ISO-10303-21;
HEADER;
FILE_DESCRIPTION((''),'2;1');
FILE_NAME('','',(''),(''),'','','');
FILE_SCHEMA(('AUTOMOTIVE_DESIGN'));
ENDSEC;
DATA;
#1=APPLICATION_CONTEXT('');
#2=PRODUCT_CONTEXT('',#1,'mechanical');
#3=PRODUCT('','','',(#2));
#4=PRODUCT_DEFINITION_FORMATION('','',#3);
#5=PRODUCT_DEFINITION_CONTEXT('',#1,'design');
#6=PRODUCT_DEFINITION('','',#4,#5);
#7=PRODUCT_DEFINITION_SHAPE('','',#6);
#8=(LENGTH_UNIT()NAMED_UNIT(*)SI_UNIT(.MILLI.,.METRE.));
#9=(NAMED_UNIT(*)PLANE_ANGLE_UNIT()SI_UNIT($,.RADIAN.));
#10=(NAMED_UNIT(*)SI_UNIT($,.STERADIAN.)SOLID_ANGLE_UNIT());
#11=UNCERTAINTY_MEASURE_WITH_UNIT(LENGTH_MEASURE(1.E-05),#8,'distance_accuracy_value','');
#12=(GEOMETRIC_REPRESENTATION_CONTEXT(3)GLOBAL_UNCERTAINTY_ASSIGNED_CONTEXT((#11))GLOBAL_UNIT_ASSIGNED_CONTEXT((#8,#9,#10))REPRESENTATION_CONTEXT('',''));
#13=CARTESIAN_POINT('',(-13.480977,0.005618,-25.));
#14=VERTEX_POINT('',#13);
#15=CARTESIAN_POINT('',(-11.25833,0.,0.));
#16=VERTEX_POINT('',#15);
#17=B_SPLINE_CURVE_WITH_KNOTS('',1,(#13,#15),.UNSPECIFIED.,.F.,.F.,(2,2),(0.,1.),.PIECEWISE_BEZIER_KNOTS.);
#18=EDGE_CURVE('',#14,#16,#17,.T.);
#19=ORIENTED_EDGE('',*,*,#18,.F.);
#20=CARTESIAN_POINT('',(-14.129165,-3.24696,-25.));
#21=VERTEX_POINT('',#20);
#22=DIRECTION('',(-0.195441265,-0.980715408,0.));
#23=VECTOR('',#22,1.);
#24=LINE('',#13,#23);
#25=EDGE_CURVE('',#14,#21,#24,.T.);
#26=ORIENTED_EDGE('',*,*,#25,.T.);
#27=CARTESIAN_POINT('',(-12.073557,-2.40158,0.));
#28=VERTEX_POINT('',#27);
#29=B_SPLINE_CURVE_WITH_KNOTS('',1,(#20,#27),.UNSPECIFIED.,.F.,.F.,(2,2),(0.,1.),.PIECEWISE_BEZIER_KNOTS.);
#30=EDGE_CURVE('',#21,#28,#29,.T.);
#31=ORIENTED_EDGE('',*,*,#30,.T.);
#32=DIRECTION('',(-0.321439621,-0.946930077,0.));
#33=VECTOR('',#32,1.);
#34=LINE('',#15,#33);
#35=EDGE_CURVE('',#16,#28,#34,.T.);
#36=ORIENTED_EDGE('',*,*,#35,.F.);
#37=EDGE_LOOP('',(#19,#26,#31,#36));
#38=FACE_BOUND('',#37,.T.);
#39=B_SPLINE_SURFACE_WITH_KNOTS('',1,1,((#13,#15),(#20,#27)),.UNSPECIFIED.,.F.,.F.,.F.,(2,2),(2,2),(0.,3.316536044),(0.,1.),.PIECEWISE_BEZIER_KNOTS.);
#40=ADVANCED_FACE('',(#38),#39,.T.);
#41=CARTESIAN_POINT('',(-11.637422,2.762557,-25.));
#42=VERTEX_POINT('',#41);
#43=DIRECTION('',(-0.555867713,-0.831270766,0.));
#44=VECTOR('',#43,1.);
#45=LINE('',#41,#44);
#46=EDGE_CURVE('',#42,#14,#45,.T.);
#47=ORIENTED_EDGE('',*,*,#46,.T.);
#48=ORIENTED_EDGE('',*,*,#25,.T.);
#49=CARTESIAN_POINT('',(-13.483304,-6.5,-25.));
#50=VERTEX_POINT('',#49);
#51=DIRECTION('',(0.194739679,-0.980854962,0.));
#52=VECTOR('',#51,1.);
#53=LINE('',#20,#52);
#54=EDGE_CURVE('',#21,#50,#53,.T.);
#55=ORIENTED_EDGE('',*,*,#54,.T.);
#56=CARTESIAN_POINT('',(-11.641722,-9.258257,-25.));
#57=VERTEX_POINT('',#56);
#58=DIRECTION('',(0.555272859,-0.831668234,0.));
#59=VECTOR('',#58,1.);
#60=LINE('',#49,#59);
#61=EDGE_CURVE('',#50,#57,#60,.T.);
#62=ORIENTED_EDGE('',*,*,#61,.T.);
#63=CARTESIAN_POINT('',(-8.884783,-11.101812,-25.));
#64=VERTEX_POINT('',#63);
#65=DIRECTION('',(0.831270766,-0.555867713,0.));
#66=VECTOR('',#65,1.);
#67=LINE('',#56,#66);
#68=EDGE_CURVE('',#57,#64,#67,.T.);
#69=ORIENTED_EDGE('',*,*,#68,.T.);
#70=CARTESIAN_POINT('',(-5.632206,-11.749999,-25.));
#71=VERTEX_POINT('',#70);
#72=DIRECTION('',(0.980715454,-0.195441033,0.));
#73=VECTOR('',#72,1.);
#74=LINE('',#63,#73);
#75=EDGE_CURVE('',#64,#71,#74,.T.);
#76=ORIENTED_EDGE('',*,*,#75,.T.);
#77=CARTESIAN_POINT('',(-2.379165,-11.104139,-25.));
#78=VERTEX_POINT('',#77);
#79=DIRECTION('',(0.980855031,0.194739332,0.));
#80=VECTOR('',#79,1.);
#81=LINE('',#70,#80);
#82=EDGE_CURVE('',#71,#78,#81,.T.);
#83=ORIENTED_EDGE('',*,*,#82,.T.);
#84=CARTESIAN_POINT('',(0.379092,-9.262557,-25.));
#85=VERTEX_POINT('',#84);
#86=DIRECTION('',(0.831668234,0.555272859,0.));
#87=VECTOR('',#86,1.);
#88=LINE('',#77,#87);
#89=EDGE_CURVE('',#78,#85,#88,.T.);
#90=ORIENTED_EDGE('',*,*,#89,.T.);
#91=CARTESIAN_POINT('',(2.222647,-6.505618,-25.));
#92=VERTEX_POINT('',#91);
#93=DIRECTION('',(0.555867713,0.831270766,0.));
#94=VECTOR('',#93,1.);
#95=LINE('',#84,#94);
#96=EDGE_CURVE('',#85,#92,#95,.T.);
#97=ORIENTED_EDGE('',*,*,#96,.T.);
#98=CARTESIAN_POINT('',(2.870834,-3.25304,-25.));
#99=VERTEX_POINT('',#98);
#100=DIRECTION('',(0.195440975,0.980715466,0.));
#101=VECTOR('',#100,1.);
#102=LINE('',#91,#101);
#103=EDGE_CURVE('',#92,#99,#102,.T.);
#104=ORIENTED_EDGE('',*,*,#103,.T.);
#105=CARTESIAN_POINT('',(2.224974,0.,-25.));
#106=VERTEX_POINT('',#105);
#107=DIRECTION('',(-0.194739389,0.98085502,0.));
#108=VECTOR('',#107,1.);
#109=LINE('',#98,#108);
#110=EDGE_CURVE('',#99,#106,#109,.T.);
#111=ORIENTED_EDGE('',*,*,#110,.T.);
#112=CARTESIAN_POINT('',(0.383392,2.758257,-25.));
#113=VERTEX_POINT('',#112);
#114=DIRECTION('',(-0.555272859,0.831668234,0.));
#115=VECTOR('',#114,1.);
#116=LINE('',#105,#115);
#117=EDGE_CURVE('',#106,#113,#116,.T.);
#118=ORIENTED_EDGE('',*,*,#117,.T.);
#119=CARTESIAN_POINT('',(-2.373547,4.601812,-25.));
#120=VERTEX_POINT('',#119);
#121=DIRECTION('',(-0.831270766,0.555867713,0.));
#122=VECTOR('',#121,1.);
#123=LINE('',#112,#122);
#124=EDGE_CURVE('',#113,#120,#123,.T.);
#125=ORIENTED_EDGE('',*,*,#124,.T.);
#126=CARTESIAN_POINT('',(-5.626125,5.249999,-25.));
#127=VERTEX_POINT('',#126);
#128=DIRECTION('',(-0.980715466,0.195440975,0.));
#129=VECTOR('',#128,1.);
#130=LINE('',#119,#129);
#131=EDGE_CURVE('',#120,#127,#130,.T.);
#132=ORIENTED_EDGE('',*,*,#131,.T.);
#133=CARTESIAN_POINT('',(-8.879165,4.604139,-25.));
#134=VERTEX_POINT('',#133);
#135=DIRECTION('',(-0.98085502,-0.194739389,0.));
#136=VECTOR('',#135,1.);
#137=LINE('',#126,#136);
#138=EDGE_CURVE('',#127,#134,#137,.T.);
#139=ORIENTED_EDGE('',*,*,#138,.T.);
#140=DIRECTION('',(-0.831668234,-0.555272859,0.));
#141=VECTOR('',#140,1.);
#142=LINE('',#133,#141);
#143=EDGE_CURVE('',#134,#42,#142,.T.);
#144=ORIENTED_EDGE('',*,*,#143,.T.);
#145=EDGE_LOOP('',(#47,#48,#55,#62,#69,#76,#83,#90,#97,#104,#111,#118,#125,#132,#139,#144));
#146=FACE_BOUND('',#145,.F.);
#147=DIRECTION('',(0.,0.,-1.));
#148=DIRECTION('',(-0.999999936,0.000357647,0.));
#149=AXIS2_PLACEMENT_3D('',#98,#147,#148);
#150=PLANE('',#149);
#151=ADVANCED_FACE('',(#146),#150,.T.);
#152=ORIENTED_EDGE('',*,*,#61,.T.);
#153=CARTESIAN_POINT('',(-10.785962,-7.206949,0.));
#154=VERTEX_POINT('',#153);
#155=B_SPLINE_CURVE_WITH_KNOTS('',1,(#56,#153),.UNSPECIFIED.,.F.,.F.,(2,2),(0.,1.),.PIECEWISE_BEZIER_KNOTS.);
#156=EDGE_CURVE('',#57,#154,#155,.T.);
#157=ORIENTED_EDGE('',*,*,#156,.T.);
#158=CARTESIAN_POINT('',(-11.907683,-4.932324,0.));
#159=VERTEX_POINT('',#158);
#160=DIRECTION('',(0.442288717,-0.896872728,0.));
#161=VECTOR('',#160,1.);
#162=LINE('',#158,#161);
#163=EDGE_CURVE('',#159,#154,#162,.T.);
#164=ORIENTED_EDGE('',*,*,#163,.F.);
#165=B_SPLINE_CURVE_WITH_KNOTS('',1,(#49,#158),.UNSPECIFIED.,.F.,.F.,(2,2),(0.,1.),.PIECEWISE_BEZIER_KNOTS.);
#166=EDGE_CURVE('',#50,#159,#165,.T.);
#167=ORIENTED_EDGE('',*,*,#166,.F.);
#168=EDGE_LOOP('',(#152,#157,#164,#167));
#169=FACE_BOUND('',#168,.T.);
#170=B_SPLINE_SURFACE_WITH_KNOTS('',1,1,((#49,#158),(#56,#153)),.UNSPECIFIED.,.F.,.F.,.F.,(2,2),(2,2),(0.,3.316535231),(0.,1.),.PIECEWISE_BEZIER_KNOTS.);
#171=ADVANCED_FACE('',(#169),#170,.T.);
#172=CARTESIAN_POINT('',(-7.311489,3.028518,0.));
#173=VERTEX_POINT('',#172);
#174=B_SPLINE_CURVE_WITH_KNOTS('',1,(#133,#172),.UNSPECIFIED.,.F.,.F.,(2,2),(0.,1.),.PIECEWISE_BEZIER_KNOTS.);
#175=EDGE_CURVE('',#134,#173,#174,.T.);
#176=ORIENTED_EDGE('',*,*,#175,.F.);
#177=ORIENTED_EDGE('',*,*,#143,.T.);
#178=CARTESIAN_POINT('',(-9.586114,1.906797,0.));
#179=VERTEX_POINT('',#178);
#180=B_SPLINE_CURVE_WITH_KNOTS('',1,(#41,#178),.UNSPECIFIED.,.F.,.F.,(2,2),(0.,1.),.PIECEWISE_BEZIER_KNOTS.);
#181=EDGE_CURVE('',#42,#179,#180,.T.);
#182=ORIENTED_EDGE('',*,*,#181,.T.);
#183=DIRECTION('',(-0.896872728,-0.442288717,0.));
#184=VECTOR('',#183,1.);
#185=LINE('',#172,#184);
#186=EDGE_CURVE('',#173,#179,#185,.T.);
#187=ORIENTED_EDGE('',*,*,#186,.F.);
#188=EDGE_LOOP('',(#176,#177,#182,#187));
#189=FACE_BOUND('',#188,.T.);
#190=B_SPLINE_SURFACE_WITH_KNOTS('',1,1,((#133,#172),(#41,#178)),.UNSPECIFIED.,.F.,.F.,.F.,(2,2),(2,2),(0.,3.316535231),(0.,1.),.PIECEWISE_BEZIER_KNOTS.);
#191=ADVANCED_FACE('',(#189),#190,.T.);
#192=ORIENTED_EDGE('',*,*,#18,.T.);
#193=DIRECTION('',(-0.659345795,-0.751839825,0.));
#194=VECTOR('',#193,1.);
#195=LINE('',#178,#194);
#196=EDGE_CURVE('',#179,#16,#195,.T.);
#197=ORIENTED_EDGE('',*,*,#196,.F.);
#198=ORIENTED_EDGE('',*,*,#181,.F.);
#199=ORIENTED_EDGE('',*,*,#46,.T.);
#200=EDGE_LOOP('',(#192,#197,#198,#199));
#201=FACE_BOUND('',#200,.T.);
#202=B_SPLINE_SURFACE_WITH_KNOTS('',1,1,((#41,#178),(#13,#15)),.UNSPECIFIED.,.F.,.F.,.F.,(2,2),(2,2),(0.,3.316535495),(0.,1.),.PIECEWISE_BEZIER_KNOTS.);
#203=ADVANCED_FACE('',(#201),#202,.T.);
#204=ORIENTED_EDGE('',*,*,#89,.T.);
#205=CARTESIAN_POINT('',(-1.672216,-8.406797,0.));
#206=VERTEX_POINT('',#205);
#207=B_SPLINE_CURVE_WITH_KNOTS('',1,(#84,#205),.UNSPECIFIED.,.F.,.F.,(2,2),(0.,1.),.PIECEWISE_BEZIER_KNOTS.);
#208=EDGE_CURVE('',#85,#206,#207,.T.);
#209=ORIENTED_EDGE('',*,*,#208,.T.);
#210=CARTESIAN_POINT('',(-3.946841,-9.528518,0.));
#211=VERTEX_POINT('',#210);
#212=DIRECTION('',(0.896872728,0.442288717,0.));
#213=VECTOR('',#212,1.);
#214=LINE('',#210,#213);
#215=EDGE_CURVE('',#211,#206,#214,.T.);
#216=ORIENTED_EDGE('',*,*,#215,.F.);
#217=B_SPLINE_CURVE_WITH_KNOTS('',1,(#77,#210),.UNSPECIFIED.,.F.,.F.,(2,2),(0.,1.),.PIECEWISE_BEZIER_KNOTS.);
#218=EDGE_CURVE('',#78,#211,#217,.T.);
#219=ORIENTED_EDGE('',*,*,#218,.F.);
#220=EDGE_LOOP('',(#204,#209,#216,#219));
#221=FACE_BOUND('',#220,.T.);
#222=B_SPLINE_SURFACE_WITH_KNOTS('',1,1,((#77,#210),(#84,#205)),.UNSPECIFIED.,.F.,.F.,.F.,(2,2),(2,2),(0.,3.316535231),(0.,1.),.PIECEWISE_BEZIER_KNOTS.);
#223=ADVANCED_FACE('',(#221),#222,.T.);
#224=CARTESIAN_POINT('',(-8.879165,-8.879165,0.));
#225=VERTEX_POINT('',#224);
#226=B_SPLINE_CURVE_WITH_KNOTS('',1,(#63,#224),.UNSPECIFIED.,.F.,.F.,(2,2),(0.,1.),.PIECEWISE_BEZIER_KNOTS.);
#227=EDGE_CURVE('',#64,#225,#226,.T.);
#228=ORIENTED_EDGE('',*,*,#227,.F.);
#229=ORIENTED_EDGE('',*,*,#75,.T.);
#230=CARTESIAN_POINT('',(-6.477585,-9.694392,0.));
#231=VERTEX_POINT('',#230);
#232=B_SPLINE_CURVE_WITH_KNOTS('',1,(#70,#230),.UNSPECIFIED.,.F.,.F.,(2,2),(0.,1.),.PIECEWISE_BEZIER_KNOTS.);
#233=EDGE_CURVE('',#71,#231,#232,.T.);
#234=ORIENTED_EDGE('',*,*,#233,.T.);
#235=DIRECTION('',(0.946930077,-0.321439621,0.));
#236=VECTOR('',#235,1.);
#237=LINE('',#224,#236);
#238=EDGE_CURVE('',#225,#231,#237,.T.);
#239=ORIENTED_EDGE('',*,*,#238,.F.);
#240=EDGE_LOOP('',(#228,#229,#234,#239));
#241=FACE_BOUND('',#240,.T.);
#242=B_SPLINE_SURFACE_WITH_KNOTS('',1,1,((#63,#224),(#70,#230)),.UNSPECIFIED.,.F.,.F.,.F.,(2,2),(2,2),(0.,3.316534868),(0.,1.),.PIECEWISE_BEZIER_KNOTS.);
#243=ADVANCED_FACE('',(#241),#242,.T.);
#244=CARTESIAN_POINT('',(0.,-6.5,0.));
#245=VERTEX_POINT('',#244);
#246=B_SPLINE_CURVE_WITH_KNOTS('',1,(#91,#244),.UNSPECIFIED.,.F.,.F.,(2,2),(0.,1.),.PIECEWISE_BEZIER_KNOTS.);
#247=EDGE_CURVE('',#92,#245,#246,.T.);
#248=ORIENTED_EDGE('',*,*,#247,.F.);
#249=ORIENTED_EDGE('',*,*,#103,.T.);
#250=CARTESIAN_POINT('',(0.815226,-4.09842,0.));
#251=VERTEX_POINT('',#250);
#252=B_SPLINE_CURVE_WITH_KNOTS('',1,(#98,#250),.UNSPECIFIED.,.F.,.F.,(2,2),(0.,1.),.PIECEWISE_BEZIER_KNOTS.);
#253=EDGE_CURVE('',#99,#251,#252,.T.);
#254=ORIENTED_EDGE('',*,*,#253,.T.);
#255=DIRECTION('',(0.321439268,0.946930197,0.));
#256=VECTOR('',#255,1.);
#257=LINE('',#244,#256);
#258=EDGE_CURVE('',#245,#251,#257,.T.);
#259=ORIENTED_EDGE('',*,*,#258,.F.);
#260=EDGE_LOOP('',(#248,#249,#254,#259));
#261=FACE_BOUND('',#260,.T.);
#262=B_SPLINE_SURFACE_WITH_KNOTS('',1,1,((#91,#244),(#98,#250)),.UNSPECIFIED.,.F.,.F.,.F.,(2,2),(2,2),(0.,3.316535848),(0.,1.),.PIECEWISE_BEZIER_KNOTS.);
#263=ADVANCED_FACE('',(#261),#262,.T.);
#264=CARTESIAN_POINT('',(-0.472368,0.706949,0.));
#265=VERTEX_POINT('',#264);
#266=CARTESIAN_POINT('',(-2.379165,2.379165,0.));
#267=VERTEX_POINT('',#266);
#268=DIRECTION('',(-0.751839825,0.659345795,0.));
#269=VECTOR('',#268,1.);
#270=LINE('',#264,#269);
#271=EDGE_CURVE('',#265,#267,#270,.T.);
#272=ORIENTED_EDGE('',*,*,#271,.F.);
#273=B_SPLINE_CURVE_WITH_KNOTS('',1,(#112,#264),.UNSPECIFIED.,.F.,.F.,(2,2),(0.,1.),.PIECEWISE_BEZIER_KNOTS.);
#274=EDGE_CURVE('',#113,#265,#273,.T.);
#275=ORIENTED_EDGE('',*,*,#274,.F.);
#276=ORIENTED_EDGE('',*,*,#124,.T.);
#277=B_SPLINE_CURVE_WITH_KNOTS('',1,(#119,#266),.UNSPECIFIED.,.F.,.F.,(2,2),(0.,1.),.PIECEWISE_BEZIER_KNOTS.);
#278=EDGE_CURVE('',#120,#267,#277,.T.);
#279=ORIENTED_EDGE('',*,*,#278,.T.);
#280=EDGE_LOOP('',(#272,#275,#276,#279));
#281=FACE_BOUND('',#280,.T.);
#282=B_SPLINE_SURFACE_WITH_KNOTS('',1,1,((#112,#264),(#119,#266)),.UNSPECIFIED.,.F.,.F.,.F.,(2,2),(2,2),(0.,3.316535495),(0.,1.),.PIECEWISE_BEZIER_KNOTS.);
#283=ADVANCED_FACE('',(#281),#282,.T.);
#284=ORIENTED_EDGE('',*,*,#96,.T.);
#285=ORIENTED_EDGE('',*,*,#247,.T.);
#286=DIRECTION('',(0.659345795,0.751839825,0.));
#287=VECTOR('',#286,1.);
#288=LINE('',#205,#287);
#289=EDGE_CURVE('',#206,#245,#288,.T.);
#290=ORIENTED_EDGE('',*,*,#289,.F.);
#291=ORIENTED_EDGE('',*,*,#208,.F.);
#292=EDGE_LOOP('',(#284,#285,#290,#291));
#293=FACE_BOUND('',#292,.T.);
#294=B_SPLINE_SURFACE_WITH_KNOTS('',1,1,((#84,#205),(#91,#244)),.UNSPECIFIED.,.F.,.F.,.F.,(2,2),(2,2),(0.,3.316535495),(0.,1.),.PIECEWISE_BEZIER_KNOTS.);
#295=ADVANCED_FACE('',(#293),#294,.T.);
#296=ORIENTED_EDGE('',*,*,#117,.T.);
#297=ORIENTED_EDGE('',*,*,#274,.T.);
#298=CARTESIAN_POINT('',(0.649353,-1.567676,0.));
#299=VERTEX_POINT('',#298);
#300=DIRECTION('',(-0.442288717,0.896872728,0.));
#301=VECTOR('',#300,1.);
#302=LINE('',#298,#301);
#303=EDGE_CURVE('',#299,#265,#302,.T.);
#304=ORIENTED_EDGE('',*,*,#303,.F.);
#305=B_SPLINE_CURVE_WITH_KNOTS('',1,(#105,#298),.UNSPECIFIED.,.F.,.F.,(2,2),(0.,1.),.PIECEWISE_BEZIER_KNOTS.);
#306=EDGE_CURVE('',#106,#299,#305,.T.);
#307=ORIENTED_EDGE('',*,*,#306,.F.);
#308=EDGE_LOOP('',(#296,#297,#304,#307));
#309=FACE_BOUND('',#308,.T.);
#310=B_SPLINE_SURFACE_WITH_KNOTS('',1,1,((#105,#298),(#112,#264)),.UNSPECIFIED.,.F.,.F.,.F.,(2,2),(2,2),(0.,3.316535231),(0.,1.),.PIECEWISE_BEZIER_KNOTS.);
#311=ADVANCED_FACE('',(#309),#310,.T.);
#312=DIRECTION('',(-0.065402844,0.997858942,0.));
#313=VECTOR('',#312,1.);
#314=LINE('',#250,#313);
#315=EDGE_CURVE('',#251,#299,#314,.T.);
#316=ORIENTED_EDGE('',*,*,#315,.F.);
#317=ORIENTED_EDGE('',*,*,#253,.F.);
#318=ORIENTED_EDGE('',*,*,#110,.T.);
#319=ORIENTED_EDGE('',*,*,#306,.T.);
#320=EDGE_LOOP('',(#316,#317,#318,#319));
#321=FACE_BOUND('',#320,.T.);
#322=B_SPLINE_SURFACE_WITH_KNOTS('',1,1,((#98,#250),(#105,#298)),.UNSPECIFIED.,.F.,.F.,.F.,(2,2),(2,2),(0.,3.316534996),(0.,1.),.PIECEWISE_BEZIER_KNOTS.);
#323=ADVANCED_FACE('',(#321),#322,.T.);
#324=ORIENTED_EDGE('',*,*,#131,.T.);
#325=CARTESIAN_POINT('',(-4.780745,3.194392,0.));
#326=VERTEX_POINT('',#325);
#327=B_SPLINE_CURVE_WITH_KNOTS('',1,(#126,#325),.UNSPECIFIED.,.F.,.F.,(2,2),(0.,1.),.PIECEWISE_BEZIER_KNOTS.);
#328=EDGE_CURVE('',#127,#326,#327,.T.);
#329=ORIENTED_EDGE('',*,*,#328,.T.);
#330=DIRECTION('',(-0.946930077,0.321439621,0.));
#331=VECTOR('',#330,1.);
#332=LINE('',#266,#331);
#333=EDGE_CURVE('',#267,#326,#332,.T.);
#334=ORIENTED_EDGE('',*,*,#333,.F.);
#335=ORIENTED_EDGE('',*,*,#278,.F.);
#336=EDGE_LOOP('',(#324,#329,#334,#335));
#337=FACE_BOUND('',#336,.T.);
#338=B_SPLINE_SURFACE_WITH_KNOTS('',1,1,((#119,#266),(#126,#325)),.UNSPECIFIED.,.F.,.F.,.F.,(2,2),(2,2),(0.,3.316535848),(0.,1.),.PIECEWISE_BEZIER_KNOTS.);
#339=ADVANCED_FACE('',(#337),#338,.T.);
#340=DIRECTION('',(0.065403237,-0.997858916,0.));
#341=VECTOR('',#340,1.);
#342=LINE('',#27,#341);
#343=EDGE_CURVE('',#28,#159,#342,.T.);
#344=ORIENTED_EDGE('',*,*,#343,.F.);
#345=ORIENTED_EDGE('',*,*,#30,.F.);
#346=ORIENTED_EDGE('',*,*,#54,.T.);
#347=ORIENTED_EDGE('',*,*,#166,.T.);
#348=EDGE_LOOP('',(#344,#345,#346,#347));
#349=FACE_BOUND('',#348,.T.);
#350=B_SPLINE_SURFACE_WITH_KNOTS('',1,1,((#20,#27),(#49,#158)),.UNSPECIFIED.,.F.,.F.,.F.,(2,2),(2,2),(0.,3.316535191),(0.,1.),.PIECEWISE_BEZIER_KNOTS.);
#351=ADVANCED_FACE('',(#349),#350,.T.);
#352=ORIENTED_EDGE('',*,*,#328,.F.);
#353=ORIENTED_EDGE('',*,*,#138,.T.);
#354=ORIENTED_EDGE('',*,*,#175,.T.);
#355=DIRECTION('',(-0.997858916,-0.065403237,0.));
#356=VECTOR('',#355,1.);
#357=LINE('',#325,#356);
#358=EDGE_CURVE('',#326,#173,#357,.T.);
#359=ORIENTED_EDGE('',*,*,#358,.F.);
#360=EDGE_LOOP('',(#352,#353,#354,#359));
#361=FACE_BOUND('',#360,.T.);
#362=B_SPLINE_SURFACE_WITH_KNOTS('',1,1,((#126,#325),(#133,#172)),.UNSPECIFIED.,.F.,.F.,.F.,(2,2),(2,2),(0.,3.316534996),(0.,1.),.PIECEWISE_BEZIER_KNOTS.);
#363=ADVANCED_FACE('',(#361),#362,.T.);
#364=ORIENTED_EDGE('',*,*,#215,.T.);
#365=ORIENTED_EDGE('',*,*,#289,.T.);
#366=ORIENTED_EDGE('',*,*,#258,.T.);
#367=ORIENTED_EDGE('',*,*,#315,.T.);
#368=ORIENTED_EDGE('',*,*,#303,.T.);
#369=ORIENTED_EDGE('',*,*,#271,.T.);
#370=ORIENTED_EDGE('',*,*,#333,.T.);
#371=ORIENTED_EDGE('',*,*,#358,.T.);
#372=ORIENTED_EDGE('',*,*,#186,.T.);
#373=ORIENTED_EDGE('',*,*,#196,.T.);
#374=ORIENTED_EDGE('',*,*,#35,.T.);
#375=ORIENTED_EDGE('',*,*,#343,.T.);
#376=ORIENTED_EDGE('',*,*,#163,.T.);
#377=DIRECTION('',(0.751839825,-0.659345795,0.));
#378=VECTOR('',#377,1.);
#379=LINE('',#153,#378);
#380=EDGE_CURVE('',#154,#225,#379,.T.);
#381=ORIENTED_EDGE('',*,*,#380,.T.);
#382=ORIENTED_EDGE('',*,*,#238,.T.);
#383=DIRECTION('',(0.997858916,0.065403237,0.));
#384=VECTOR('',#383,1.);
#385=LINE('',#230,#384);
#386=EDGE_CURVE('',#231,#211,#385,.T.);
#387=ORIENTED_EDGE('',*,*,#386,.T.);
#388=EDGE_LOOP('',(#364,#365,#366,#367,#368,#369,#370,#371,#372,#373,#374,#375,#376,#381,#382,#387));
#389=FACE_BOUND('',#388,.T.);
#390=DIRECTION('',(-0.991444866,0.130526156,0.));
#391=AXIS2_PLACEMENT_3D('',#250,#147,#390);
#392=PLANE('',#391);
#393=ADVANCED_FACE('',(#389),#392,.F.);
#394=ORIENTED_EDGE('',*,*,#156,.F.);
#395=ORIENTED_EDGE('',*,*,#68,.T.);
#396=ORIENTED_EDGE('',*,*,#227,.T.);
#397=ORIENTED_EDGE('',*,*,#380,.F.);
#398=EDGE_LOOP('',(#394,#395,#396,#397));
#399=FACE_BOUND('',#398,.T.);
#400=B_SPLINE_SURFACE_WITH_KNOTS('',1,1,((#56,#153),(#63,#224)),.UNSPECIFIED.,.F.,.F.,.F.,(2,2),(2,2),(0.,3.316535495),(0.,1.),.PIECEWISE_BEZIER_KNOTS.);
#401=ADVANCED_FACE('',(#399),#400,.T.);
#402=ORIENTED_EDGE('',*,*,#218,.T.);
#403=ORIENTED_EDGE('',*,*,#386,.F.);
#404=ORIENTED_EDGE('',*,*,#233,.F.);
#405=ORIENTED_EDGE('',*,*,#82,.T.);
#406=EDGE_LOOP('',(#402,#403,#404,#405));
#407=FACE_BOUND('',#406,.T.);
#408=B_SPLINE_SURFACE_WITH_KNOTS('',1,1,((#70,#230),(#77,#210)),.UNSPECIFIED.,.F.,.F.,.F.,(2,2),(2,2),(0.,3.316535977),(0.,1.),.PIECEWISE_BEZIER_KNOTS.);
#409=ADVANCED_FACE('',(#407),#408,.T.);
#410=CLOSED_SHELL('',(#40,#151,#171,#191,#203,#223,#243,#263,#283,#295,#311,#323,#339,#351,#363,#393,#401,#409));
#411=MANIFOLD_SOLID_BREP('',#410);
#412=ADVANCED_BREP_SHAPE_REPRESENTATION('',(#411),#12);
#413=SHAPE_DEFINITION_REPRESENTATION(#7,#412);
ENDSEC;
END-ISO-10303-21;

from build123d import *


with BuildPart() as f3:
    # F2 (on offset) → F3 section 0
    with BuildSketch(Plane.XY.offset(-25)):
        Polygon((2.870834, -3.25304), (2.224974, 0), (0.383392, 2.758257), (-2.373547, 4.601812), (-5.626125, 5.249999), (-8.879165, 4.604139), (-11.637422, 2.762557), (-13.480977, 0.005618), (-14.129165, -3.24696), (-13.483304, -6.5), (-11.641722, -9.258257), (-8.884783, -11.101812), (-5.632206, -11.749999), (-2.379165, -11.104139), (0.379092, -9.262557), (2.222647, -6.505618), align=None)
    # F0 (on Top) → F3 section 1
    with BuildSketch(Plane.XY):
        Polygon((-1.672216, -8.406797), (0, -6.5), (0.815226, -4.09842), (0.649353, -1.567676), (-0.472368, 0.706949), (-2.379165, 2.379165), (-4.780745, 3.194392), (-7.311489, 3.028518), (-9.586114, 1.906797), (-11.25833, 0), (-12.073557, -2.40158), (-11.907683, -4.932324), (-10.785962, -7.206949), (-8.879165, -8.879165), (-6.477585, -9.694392), (-3.946841, -9.528518), align=None)
    loft()


solid = f3.part
